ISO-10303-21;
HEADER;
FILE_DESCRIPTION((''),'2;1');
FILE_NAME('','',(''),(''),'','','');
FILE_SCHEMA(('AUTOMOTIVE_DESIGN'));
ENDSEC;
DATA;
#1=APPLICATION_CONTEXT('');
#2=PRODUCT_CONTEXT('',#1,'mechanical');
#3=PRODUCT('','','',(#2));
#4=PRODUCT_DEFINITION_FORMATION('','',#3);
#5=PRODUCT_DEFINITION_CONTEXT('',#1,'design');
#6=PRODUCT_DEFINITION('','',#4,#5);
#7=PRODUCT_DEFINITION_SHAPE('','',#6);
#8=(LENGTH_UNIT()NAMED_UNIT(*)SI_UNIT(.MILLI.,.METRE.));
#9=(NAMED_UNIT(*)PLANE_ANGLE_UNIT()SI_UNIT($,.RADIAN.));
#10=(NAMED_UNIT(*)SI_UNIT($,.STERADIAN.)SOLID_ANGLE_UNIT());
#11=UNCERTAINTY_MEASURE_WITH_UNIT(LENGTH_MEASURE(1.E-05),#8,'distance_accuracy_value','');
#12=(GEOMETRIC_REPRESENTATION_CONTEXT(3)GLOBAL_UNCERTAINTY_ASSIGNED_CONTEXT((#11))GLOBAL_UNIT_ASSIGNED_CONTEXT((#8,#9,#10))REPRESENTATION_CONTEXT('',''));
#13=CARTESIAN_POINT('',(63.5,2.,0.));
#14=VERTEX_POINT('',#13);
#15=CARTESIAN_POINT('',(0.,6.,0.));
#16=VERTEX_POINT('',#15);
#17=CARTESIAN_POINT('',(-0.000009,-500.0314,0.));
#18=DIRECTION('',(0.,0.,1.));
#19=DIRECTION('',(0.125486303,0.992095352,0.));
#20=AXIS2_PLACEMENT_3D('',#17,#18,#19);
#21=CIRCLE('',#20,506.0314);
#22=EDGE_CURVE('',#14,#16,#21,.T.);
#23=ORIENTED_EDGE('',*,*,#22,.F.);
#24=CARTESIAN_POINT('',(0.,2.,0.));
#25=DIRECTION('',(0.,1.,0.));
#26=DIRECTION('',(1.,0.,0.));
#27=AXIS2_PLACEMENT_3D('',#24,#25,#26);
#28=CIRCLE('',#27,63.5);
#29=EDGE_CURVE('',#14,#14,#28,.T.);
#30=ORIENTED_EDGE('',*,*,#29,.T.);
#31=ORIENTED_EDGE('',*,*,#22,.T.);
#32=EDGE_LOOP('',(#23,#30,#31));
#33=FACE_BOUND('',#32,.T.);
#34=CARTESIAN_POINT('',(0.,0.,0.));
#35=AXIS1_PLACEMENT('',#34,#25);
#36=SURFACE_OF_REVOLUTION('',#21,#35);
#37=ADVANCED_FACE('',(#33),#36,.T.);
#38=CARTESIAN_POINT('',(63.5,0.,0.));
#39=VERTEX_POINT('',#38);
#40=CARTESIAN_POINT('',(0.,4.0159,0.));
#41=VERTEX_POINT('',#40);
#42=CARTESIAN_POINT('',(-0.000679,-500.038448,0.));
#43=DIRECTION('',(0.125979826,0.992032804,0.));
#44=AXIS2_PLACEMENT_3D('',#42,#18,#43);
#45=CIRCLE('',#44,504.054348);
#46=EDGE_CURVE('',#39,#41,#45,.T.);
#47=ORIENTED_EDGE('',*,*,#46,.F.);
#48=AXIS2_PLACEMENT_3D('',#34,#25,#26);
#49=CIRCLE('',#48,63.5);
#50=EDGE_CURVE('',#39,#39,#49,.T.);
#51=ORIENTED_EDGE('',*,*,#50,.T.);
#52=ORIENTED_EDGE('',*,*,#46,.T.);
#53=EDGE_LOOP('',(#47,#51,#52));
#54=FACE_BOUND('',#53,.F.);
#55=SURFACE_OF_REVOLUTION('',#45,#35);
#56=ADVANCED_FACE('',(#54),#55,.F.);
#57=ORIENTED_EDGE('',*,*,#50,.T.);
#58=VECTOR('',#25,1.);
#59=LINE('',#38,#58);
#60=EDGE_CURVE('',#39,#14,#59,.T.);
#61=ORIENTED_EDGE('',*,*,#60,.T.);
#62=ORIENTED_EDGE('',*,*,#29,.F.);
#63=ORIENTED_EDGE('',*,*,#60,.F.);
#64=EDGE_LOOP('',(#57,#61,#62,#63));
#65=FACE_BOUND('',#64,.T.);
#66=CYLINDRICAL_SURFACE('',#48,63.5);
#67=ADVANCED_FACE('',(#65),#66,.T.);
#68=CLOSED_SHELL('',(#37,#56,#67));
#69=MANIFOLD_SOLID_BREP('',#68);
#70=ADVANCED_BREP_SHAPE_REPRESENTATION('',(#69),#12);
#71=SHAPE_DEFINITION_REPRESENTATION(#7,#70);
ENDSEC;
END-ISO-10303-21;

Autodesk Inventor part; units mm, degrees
ref_plane "YZ Plane" through (0, 0, 0) normal (1, 0, 0) x (0, 1, 0)
ref_plane "XZ Plane" through (0, 0, 0) normal (0, 1, 0) x (-1, 0, 0)
ref_plane "XY Plane" through (0, 0, 0) normal (0, 0, 1) x (1, 0, 0)
sketch "Boceto1" plane through (0, 0, 0) normal (0, 0, 1) x (1, 0, 0)
  line L0 (0, 0) -> (63.5, 0)
  line L1 (63.5, 0) -> (63.5, 2)
  line L2 (0, 0) -> (0, 6)
  arc A0 (63.5, 2) -> (0, 6) centre (0, -500.0313) ccw
  line L3 (0, 0) -> (0, -10000)
  arc A1 (63.5, 0) -> (0, 4.0159) centre (0, -500.0313) ccw
  dimension "d0" = 63.5
  dimension "d1" = 2
  dimension "d2" = 6
  dimension "d3" = 10000
revolve "Revolución1" add sketch "Boceto1" angle 360 about axis through (0, 0, 0) along (0, 1, 0) contours A1 L2 A0 L1
properties part number "lente"
